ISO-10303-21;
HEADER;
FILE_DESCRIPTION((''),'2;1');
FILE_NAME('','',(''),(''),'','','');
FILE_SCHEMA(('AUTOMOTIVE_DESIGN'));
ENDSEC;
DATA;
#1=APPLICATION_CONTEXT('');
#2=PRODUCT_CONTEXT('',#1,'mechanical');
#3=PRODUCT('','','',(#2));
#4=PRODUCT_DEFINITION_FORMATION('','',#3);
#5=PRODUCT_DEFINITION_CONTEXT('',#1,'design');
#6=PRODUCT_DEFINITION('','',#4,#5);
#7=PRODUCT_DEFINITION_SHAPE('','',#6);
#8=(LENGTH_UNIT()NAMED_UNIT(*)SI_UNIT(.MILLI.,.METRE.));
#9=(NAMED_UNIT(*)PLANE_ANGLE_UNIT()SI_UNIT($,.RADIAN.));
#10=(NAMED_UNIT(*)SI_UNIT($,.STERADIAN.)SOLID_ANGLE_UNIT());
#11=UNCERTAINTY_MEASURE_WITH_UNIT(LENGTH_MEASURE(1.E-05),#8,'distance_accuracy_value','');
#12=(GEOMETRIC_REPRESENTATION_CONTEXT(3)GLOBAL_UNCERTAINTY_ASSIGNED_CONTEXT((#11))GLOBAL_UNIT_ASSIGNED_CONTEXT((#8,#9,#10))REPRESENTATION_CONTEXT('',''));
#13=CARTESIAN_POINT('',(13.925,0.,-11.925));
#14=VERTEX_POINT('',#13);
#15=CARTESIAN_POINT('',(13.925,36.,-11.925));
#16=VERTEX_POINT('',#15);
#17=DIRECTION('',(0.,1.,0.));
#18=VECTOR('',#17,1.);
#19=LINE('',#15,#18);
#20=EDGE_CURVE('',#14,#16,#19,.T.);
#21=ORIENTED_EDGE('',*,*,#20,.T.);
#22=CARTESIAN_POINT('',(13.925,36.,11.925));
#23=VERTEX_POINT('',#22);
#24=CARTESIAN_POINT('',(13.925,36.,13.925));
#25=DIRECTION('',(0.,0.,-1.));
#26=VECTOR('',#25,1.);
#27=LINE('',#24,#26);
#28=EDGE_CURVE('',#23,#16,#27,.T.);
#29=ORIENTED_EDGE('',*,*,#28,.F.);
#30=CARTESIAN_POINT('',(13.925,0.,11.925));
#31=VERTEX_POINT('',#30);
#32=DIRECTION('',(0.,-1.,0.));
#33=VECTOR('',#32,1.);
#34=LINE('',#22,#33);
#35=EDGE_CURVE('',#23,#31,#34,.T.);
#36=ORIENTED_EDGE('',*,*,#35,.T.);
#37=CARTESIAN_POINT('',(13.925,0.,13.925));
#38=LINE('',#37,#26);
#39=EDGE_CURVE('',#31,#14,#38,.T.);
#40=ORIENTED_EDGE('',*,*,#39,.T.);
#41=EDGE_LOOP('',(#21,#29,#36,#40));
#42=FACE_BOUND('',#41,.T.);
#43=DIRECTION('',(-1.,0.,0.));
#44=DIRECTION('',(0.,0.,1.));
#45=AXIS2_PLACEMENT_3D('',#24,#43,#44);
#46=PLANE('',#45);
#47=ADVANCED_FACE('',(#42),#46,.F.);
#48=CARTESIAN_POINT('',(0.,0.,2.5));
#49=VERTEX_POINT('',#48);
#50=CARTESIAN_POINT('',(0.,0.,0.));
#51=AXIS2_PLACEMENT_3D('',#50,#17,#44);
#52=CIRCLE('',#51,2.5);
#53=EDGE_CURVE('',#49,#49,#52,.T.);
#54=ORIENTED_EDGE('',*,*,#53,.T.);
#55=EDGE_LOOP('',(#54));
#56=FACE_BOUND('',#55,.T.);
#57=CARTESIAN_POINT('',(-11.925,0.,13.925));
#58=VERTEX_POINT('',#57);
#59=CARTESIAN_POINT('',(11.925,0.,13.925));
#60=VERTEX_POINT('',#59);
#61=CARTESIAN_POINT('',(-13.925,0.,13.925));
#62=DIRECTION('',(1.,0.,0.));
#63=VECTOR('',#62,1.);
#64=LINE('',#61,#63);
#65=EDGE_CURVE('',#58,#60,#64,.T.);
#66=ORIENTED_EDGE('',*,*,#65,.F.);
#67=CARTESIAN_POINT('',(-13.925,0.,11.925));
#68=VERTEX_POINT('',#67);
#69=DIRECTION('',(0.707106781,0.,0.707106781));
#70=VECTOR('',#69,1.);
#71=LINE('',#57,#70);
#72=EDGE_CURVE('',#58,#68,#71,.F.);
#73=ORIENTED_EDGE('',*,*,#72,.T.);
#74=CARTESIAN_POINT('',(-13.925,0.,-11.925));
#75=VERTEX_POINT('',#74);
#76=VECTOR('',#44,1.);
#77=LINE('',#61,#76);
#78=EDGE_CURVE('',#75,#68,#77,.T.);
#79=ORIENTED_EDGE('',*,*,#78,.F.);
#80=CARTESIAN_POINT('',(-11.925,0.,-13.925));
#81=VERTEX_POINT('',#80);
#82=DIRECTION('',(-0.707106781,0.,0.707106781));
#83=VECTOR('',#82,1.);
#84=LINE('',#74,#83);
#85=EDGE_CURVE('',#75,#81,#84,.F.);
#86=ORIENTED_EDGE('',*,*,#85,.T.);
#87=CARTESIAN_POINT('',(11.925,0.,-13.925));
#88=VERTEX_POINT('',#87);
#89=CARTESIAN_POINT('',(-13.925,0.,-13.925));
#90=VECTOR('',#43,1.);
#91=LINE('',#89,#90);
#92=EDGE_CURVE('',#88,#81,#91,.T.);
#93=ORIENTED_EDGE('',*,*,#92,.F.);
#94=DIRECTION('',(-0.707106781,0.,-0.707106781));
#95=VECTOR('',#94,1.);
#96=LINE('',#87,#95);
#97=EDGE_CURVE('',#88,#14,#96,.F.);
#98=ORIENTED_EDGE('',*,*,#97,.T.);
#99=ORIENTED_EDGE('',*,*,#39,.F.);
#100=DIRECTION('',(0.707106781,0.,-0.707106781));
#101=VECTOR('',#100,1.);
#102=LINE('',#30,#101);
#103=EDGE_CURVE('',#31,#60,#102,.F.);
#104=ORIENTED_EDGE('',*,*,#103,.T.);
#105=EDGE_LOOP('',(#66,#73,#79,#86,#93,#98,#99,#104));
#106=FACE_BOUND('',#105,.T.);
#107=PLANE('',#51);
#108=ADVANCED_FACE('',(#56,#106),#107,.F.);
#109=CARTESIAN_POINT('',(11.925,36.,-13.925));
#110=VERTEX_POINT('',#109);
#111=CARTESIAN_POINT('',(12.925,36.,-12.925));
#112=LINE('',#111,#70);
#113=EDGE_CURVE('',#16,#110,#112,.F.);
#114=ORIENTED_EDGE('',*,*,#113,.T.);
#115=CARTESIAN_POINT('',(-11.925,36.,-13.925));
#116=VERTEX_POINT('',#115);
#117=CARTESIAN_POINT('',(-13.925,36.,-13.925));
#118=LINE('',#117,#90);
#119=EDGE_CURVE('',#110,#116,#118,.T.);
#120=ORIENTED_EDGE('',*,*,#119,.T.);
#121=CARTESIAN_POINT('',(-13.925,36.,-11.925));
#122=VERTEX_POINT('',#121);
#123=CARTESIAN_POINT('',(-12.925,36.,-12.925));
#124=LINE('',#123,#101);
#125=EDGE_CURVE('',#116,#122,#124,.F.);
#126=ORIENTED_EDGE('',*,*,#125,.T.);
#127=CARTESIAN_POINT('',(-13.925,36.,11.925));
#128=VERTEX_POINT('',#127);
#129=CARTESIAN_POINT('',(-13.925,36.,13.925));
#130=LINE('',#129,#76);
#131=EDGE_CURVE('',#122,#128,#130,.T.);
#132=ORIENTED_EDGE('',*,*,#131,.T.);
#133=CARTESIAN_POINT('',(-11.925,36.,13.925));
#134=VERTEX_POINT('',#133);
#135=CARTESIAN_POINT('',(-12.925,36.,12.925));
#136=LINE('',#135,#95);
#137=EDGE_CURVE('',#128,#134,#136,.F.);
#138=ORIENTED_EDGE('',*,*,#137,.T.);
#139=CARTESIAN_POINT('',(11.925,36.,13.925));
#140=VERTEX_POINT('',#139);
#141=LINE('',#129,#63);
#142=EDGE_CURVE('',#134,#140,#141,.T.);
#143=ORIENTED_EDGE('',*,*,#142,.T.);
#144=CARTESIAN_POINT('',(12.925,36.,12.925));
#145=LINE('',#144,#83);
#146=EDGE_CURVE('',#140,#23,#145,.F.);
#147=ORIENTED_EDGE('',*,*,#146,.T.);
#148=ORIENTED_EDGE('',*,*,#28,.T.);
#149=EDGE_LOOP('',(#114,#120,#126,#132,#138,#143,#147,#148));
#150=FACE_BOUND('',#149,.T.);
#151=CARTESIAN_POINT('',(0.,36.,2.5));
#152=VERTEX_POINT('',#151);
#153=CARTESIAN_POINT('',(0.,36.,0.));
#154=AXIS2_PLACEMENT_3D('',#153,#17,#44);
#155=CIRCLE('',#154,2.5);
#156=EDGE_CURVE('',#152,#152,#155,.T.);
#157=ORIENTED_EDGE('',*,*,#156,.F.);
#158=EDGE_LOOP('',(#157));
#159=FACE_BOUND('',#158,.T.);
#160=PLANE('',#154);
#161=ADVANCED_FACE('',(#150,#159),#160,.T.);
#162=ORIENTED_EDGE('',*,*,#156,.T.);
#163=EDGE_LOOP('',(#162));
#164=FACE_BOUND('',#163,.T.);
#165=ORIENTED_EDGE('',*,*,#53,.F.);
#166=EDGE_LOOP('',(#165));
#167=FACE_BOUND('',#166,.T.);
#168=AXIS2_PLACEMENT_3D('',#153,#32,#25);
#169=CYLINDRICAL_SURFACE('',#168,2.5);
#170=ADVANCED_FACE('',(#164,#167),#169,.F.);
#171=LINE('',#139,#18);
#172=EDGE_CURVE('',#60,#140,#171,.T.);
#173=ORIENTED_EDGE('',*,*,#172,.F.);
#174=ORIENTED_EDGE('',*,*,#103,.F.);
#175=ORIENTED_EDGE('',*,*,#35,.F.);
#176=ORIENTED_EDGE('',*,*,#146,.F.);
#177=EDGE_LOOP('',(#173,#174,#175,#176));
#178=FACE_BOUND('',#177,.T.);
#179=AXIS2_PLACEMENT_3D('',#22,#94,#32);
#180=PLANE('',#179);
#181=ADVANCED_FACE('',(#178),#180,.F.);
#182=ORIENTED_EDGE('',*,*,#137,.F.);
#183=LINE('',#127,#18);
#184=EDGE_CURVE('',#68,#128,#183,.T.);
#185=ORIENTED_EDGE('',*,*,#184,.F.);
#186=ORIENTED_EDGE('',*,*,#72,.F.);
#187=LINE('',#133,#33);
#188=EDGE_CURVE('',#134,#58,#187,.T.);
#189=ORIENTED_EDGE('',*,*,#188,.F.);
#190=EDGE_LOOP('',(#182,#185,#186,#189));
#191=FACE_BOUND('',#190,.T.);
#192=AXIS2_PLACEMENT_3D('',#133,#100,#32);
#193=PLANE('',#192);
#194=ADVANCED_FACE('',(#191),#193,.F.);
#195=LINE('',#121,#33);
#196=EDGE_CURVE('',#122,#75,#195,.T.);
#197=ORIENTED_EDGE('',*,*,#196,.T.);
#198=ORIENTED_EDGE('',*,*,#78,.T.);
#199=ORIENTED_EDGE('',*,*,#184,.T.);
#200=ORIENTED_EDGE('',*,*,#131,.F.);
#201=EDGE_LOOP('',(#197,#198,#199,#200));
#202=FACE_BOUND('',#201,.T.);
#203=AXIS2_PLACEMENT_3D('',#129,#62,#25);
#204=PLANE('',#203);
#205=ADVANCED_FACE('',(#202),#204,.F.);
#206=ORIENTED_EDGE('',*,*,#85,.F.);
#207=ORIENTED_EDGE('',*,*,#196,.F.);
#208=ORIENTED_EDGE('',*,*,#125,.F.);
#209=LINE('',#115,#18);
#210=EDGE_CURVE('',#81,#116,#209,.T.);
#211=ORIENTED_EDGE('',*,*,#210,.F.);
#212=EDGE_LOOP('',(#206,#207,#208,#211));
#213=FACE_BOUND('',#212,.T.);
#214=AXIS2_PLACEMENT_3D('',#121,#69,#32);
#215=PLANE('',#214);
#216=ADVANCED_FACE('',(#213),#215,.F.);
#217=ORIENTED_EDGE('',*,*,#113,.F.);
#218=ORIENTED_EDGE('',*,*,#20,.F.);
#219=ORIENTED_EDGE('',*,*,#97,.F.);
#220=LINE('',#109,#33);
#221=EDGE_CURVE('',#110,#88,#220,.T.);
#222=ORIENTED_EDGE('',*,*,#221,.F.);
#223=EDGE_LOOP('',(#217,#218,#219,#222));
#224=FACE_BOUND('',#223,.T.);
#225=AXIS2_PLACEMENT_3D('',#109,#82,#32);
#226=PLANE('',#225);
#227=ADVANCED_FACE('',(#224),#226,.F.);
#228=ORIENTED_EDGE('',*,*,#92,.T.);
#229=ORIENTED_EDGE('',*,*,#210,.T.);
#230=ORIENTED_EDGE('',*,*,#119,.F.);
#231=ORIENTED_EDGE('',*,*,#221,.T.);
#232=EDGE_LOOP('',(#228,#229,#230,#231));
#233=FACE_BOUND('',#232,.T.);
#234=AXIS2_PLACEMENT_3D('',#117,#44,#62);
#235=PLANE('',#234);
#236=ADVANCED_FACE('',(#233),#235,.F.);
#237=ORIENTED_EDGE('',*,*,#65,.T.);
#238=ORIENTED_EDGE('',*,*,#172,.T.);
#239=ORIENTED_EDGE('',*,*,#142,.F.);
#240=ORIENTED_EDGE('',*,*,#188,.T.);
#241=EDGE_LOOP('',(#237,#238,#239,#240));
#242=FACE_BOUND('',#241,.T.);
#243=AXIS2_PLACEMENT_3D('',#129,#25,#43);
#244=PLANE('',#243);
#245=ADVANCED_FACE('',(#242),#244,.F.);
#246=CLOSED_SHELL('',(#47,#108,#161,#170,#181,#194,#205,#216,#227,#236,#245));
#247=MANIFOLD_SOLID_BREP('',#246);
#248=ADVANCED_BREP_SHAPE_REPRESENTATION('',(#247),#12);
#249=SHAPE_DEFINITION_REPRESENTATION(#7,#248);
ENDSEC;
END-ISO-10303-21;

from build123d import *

# Parameters (mm, degrees)
SKETCH_2_W      = 27.85
SKETCH_2_H      = 27.85
SKETCH_2_R      = 2.5
EXTRUDE_1_DEPTH = 36
CHAMFER_1_SIZE  = 2


with BuildPart() as part:
    # Эскиз2 → Бобышка-Вытянуть1 (new body)
    with BuildSketch(Plane(origin=(0, 0, 0), x_dir=(1, 0, 0), z_dir=(0, 1, 0))):
        Rectangle(SKETCH_2_W, SKETCH_2_H)
        Circle(SKETCH_2_R, mode=Mode.SUBTRACT)
    extrude(amount=EXTRUDE_1_DEPTH)

    # Фаска1
    chamfer_1_edges = [part.edges().sort_by_distance(p)[0] for p in [
        (13.925, 18, -13.925),
        (13.925, 18, 13.925),
        (-13.925, 18, 13.925),
        (-13.925, 18, -13.925),
    ]]
    chamfer(chamfer_1_edges, length=CHAMFER_1_SIZE)


solid = part.part
